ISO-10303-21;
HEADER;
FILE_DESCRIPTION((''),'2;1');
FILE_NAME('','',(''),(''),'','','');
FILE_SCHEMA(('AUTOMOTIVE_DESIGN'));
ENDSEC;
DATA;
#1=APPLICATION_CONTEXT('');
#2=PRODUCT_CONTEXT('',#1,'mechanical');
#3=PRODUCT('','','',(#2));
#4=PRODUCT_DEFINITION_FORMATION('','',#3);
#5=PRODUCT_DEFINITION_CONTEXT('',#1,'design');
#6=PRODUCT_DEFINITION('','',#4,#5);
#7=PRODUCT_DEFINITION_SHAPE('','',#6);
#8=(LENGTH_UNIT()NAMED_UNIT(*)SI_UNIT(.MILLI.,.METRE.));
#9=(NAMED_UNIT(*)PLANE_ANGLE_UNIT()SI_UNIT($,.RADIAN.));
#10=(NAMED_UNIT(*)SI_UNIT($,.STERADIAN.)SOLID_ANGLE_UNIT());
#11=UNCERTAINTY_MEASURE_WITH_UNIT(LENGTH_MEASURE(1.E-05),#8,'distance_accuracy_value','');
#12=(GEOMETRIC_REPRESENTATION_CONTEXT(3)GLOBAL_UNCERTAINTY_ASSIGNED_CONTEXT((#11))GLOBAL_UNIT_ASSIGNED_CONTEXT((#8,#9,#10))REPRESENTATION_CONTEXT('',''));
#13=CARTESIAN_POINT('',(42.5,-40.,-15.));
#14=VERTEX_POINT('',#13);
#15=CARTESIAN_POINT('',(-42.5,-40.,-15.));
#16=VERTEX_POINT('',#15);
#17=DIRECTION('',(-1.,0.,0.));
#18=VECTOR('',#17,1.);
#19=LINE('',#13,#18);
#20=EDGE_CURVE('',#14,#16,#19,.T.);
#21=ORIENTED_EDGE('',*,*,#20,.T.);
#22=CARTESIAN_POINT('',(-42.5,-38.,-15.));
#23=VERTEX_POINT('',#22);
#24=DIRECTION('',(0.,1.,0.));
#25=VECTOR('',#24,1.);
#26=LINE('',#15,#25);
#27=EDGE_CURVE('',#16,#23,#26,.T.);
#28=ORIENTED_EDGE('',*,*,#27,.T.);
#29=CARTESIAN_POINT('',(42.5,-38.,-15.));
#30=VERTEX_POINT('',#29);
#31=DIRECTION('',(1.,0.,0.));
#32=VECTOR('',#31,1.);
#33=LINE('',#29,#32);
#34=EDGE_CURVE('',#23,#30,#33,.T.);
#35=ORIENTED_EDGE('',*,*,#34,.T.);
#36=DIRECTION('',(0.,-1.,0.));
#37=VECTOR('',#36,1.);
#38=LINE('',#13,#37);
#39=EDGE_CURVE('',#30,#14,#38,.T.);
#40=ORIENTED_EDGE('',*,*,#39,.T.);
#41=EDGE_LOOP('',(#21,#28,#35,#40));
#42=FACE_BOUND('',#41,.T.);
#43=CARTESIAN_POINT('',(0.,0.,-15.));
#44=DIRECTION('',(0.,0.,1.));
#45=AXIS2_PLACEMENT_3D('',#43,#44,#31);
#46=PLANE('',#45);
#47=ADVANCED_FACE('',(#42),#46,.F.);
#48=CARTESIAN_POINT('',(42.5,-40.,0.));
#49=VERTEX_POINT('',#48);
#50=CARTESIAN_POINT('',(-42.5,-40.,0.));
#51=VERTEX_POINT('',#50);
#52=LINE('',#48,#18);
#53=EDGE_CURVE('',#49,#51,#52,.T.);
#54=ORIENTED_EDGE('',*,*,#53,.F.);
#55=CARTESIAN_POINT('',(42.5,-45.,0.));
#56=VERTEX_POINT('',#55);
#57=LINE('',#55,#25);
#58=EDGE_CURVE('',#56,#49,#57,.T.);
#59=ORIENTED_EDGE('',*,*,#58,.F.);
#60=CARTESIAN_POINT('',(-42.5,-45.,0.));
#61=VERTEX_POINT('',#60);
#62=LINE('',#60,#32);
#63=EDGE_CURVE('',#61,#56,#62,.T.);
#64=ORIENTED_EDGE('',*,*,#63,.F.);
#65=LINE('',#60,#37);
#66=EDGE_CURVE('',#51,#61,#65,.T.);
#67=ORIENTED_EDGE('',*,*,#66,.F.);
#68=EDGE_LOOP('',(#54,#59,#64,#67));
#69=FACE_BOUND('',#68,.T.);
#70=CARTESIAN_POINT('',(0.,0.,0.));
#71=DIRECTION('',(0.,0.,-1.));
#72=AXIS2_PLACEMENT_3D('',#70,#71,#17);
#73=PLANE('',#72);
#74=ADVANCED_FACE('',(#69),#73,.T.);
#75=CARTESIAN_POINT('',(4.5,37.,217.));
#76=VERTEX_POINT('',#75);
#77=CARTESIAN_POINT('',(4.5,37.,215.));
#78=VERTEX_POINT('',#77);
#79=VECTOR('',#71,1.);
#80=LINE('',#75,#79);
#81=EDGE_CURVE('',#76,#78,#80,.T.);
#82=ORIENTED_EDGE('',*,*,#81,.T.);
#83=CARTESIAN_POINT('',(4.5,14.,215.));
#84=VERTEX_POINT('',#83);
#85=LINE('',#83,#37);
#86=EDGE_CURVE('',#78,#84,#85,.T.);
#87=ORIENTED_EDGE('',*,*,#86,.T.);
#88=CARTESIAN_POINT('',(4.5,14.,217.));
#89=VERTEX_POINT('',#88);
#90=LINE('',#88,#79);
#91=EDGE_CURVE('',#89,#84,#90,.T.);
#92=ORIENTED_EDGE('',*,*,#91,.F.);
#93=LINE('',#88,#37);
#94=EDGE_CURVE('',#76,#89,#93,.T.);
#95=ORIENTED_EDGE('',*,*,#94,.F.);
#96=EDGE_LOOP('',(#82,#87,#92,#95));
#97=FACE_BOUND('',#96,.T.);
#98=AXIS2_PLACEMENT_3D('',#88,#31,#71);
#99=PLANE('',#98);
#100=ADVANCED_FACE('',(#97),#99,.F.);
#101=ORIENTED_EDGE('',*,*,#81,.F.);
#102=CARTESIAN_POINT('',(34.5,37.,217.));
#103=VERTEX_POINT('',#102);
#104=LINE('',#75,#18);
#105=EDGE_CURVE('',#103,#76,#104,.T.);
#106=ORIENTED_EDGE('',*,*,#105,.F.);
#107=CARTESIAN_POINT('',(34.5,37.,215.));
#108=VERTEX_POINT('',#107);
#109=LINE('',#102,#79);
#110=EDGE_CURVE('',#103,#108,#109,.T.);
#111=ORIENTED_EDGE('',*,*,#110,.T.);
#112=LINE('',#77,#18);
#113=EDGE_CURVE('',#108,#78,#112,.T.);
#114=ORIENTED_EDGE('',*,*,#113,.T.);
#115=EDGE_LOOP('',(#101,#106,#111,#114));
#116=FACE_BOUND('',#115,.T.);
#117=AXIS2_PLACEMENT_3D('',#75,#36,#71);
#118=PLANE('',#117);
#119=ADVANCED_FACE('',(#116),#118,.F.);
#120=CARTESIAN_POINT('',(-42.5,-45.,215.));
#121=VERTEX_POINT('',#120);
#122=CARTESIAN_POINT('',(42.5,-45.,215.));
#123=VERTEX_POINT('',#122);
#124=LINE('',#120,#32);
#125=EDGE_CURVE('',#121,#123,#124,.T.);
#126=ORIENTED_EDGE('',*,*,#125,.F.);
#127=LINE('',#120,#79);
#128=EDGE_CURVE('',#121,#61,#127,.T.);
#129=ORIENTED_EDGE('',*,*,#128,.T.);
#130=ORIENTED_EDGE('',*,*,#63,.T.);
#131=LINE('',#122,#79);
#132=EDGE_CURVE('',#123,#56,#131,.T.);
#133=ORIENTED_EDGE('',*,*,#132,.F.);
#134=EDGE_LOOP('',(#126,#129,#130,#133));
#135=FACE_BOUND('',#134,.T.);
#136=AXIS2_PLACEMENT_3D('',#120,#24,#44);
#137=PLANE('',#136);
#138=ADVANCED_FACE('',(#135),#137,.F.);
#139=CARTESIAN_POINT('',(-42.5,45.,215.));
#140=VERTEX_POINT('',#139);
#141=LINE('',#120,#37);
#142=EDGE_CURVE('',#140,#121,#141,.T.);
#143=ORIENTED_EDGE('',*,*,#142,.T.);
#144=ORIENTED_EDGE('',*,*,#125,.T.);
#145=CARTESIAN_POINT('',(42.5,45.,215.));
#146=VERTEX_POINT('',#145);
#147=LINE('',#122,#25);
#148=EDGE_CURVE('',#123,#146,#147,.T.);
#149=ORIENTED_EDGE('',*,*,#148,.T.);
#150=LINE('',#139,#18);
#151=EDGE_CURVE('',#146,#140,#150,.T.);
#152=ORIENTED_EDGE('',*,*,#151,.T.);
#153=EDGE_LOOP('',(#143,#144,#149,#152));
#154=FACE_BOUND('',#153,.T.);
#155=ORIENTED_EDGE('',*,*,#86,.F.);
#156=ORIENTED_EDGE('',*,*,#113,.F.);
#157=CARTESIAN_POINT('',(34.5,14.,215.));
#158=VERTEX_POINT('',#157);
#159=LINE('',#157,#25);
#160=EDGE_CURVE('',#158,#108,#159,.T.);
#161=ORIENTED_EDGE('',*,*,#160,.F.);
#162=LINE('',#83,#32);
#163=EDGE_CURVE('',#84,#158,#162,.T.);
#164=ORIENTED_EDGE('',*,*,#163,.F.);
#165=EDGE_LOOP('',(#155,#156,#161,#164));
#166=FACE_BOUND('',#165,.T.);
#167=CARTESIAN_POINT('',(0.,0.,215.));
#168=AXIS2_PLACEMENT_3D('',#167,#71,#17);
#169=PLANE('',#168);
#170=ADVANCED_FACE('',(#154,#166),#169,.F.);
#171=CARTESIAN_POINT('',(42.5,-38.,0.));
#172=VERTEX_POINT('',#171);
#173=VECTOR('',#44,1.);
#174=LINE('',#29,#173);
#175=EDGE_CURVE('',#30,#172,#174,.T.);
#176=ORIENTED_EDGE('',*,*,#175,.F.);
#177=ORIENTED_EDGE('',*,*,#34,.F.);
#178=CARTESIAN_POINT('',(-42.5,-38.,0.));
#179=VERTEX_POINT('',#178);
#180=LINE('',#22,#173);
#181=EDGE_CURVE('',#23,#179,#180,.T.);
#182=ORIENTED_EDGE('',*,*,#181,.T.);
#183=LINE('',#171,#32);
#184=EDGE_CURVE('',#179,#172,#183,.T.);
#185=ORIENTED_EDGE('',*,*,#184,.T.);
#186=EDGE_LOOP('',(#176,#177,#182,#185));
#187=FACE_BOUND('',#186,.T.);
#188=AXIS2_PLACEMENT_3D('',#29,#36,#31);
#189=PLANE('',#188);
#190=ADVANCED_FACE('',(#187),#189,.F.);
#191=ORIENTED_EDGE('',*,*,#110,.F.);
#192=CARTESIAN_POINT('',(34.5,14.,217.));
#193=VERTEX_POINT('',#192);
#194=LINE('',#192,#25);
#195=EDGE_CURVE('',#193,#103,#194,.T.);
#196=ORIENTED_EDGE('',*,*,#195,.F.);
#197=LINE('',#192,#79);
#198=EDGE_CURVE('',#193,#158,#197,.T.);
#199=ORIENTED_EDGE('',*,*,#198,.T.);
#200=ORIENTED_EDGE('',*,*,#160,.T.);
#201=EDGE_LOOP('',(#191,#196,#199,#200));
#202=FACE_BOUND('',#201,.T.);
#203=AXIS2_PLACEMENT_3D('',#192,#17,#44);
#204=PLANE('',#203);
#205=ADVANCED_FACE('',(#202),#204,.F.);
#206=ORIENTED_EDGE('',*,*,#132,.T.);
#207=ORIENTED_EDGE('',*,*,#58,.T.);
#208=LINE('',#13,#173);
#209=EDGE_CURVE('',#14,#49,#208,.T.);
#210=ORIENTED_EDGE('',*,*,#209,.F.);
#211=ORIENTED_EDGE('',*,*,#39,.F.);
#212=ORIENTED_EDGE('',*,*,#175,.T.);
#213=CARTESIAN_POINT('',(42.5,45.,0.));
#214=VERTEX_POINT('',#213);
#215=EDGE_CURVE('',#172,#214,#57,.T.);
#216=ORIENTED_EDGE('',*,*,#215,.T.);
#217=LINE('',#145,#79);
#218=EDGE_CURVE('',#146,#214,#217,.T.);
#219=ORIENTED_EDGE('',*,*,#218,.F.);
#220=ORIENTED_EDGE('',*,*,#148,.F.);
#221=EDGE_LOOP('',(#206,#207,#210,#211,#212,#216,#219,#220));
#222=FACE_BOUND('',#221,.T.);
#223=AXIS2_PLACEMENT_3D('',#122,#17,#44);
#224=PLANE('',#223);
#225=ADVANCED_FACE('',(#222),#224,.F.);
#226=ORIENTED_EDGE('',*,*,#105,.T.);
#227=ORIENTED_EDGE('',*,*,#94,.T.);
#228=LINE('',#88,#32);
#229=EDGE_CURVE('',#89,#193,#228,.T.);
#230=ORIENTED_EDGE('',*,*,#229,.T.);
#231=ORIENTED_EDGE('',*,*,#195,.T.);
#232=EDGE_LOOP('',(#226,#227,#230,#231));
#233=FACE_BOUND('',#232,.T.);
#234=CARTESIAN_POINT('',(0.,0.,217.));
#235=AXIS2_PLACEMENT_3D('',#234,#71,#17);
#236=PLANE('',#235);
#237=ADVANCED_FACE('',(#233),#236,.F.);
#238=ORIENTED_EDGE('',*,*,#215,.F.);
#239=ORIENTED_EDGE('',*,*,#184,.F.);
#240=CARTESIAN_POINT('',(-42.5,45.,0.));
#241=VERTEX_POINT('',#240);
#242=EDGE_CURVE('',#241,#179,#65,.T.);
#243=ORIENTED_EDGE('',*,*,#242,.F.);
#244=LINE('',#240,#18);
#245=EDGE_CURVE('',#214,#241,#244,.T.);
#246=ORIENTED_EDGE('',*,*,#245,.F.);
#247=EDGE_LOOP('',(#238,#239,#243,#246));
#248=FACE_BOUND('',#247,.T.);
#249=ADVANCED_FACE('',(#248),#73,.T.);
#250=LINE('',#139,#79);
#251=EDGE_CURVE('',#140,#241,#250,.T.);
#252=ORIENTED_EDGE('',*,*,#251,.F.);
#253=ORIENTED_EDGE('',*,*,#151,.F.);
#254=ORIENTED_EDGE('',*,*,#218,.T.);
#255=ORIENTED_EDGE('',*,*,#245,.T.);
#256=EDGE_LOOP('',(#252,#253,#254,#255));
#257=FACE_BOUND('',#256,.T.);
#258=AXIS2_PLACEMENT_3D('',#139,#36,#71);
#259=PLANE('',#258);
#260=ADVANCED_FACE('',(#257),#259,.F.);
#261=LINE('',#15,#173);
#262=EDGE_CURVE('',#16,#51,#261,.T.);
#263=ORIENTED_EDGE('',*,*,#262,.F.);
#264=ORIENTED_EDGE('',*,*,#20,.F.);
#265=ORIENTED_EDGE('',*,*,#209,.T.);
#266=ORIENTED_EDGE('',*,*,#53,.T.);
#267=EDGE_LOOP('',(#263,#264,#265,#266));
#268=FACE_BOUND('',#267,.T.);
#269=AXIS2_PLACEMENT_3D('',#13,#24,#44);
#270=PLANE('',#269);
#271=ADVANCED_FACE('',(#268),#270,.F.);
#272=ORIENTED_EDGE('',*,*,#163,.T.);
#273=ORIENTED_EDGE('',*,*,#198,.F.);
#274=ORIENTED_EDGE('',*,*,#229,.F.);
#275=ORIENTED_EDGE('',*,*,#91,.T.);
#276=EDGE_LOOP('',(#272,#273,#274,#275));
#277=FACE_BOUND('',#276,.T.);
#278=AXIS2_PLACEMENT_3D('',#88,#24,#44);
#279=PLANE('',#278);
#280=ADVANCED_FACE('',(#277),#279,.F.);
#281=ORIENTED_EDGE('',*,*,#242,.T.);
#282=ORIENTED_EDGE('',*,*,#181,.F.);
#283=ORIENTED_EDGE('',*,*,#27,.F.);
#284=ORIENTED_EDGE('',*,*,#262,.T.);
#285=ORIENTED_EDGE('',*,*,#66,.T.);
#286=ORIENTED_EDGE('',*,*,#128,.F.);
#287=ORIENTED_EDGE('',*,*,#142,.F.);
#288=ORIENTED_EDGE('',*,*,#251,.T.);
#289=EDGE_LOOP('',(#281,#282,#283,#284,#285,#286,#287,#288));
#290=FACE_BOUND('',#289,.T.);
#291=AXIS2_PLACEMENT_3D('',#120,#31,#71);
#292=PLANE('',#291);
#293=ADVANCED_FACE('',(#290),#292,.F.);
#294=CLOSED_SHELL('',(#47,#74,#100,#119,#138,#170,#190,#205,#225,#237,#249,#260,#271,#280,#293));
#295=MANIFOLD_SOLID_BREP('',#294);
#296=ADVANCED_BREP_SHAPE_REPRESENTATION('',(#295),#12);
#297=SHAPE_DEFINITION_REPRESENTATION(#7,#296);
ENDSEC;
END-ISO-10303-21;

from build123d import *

# Parameters (mm, degrees)
SZKIC1_W                    = 85
SZKIC1_H                    = 90
DODANIE_WYCI_GNI_CIE1_DEPTH = 215
SZKIC2_W                    = 85
SZKIC2_H                    = 2
DODANIE_WYCI_GNI_CIE2_DEPTH = 15
SZKIC3_W                    = 30
SZKIC3_H                    = 23
DODANIE_WYCI_GNI_CIE3_DEPTH = 2


with BuildPart() as part:
    # Szkic1 → Dodanie-wyciągnięcie1 (new body)
    with BuildSketch(Plane.XY):
        Rectangle(SZKIC1_W, SZKIC1_H)
    extrude(amount=DODANIE_WYCI_GNI_CIE1_DEPTH)

    # Szkic2 → Dodanie-wyciągnięcie2 (add)
    with BuildSketch(Plane(origin=(0, 0, 0), x_dir=(-1, 0, 0), z_dir=(0, 0, -1))):
        with Locations((0, -39)):
            Rectangle(SZKIC2_W, SZKIC2_H)
    extrude(amount=DODANIE_WYCI_GNI_CIE2_DEPTH)

    # Szkic3 → Dodanie-wyciągnięcie3 (add)
    with BuildSketch(Plane.XY.offset(215)):
        with Locations((19.5, 25.5)):
            Rectangle(SZKIC3_W, SZKIC3_H)
    extrude(amount=DODANIE_WYCI_GNI_CIE3_DEPTH)


solid = part.part
